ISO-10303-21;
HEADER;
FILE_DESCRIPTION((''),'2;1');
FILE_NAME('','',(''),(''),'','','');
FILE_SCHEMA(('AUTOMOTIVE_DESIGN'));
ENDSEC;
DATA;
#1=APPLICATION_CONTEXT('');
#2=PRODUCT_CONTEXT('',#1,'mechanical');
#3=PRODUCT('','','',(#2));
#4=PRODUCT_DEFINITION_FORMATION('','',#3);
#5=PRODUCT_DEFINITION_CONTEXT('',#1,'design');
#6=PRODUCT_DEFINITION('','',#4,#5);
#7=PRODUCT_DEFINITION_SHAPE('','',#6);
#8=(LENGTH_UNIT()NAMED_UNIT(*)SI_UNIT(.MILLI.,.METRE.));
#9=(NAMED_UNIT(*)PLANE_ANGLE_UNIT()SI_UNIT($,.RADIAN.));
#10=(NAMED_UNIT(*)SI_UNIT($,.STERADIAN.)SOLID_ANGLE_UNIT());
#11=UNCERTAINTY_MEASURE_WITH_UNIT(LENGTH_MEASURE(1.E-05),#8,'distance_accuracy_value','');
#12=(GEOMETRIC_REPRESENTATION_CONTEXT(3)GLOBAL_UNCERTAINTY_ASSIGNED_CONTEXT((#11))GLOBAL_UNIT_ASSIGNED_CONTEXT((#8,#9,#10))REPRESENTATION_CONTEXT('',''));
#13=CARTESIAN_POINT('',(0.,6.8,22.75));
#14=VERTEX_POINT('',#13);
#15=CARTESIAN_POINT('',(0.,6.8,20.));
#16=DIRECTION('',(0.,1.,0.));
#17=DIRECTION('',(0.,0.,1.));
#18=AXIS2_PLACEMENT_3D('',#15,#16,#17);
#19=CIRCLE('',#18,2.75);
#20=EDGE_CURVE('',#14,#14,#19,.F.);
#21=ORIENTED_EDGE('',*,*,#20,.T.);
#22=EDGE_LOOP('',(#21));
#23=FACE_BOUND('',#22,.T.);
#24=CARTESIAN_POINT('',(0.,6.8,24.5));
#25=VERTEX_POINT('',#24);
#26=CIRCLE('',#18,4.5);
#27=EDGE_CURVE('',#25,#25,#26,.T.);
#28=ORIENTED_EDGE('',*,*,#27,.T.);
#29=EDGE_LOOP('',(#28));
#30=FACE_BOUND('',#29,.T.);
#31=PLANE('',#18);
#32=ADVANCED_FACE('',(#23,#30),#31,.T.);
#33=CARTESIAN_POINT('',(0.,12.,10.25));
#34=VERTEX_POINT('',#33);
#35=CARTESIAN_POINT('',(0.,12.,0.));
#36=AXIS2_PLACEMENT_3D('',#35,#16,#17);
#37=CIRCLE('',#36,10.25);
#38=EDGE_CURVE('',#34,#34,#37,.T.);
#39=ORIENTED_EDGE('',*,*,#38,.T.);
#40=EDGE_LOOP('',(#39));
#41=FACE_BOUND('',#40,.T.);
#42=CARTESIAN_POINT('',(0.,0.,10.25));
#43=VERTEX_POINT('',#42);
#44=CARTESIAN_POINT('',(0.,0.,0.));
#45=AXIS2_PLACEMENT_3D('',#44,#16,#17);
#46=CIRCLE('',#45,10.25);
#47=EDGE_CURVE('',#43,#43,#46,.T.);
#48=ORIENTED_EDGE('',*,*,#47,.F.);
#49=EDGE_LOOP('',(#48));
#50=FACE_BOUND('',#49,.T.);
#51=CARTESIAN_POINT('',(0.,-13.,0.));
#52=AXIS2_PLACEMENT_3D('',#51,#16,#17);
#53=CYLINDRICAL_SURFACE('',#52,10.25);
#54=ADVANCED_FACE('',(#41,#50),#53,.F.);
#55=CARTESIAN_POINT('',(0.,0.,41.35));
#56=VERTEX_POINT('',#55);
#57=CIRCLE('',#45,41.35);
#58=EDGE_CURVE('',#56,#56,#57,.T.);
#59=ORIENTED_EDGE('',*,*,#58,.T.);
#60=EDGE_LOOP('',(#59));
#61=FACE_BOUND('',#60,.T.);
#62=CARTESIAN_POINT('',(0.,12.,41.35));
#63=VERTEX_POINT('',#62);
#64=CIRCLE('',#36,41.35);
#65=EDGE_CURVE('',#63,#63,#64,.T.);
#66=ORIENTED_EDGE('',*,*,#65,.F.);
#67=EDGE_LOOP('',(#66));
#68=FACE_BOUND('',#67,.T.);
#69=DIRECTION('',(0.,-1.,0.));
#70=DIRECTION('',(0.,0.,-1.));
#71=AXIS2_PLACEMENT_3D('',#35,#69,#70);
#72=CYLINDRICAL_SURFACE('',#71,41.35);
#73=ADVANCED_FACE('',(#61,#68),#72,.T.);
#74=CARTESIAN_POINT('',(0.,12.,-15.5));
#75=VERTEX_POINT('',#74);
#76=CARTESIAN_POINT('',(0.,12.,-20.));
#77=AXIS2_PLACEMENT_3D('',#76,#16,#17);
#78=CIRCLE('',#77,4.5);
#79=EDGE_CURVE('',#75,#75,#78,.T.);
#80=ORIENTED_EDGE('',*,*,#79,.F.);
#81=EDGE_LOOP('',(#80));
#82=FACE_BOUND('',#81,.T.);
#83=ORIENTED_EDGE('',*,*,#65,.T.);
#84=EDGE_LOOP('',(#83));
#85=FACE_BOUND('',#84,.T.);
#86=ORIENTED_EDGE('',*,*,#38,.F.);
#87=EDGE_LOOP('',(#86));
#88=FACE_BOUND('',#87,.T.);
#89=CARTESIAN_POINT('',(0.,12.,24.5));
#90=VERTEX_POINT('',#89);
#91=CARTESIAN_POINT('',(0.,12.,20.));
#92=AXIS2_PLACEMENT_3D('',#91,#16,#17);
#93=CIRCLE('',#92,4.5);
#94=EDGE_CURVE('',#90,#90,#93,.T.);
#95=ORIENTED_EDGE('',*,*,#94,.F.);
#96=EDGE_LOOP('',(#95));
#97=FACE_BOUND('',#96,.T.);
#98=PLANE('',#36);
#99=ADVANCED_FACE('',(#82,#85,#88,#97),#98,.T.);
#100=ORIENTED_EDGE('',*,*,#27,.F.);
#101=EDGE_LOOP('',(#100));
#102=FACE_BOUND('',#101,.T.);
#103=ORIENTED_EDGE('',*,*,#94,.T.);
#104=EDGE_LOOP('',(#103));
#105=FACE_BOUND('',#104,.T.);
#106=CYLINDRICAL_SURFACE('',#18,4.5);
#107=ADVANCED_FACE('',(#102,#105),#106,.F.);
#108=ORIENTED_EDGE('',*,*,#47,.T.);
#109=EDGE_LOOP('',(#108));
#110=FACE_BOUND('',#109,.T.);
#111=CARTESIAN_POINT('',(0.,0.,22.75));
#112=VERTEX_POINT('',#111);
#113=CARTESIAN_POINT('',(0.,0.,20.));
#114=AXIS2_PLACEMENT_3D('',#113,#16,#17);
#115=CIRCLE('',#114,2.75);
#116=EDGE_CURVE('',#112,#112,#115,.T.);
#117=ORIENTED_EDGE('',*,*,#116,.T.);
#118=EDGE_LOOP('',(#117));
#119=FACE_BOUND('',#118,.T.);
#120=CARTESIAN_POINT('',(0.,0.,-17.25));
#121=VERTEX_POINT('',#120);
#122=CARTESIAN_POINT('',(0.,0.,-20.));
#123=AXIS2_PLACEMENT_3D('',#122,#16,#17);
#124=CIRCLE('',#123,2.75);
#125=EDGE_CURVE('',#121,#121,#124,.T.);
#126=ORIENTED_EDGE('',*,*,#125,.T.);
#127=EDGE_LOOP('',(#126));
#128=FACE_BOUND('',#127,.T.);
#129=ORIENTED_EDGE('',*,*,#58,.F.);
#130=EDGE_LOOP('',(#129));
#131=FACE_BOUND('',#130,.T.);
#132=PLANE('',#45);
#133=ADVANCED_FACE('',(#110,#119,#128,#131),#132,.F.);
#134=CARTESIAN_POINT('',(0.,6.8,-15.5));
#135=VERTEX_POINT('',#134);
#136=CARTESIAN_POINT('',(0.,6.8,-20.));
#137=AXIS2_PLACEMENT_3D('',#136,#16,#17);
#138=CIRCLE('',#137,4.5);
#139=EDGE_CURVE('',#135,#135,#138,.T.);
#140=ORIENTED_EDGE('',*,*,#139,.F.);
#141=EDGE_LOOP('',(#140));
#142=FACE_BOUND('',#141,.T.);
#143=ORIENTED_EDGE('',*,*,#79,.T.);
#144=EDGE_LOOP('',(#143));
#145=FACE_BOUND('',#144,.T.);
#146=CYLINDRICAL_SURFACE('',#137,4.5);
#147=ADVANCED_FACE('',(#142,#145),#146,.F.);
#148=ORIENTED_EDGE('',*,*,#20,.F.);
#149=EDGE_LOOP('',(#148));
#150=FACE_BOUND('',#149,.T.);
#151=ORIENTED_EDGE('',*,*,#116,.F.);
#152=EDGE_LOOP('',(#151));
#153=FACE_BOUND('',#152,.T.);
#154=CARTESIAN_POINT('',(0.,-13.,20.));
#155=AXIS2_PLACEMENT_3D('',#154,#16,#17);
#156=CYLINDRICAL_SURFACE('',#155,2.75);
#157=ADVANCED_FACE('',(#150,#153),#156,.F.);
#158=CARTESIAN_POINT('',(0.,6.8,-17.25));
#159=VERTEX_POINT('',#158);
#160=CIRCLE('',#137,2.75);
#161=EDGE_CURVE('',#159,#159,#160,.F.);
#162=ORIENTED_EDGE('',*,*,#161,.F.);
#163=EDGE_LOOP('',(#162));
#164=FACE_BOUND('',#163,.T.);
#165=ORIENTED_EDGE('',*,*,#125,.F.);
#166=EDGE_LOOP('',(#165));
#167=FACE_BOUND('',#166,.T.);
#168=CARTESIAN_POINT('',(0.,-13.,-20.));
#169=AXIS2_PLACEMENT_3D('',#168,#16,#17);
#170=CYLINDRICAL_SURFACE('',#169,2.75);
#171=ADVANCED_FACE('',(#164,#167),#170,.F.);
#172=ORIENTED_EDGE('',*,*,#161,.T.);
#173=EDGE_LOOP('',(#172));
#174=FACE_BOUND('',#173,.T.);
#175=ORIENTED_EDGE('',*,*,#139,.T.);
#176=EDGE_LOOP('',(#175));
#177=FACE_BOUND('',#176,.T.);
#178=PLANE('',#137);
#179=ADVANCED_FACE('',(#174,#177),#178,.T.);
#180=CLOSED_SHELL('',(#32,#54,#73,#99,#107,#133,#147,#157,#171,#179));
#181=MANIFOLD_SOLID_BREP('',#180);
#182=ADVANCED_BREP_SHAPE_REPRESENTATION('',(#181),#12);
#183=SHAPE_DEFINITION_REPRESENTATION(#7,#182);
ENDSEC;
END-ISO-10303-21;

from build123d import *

# Parameters (mm, degrees)
SKETCH1_R           = 41.35
BOSS_EXTRUDE1_DEPTH = 12
SKETCH2_R           = 2.75
CUT_EXTRUDE1_DEPTH  = 25
SKETCH4_R           = 10.25
CUT_EXTRUDE2_DEPTH  = 25
SKETCH3_R           = 4.5
CUT_EXTRUDE3_DEPTH  = 5.2


with BuildPart() as part:
    # Sketch1 → Boss-Extrude1 (new body)
    with BuildSketch(Plane(origin=(0, 0, 0), x_dir=(1, 0, 0), z_dir=(0, 1, 0))):
        with Locations(Location((0, 0, 0), (0, 0, 270))):
            Circle(SKETCH1_R)
    extrude(amount=BOSS_EXTRUDE1_DEPTH)

    # Sketch2 → Cut-Extrude1 (cut)
    with BuildSketch(Plane(origin=(0, 12, 0), x_dir=(1, 0, 0), z_dir=(0, 1, 0))):
        with Locations(Location((0, 20, 0), (0, 0, 270))):
            Circle(SKETCH2_R)
        with Locations(Location((0, -20, 0), (0, 0, 270))):
            Circle(SKETCH2_R)
    extrude(amount=-CUT_EXTRUDE1_DEPTH, mode=Mode.SUBTRACT)

    # Sketch4 → Cut-Extrude2 (cut)
    with BuildSketch(Plane(origin=(0, 12, 0), x_dir=(1, 0, 0), z_dir=(0, 1, 0))):
        with Locations(Location((0, 0, 0), (0, 0, 270))):
            Circle(SKETCH4_R)
    extrude(amount=-CUT_EXTRUDE2_DEPTH, mode=Mode.SUBTRACT)

    # Sketch3 → Cut-Extrude3 (cut)
    with BuildSketch(Plane(origin=(0, 12, 0), x_dir=(1, 0, 0), z_dir=(0, 1, 0))):
        with Locations(Location((0, 20, 0), (0, 0, 270))):
            Circle(SKETCH3_R)
        with Locations(Location((0, -20, 0), (0, 0, 270))):
            Circle(SKETCH3_R)
    extrude(amount=-CUT_EXTRUDE3_DEPTH, mode=Mode.SUBTRACT)


solid = part.part
